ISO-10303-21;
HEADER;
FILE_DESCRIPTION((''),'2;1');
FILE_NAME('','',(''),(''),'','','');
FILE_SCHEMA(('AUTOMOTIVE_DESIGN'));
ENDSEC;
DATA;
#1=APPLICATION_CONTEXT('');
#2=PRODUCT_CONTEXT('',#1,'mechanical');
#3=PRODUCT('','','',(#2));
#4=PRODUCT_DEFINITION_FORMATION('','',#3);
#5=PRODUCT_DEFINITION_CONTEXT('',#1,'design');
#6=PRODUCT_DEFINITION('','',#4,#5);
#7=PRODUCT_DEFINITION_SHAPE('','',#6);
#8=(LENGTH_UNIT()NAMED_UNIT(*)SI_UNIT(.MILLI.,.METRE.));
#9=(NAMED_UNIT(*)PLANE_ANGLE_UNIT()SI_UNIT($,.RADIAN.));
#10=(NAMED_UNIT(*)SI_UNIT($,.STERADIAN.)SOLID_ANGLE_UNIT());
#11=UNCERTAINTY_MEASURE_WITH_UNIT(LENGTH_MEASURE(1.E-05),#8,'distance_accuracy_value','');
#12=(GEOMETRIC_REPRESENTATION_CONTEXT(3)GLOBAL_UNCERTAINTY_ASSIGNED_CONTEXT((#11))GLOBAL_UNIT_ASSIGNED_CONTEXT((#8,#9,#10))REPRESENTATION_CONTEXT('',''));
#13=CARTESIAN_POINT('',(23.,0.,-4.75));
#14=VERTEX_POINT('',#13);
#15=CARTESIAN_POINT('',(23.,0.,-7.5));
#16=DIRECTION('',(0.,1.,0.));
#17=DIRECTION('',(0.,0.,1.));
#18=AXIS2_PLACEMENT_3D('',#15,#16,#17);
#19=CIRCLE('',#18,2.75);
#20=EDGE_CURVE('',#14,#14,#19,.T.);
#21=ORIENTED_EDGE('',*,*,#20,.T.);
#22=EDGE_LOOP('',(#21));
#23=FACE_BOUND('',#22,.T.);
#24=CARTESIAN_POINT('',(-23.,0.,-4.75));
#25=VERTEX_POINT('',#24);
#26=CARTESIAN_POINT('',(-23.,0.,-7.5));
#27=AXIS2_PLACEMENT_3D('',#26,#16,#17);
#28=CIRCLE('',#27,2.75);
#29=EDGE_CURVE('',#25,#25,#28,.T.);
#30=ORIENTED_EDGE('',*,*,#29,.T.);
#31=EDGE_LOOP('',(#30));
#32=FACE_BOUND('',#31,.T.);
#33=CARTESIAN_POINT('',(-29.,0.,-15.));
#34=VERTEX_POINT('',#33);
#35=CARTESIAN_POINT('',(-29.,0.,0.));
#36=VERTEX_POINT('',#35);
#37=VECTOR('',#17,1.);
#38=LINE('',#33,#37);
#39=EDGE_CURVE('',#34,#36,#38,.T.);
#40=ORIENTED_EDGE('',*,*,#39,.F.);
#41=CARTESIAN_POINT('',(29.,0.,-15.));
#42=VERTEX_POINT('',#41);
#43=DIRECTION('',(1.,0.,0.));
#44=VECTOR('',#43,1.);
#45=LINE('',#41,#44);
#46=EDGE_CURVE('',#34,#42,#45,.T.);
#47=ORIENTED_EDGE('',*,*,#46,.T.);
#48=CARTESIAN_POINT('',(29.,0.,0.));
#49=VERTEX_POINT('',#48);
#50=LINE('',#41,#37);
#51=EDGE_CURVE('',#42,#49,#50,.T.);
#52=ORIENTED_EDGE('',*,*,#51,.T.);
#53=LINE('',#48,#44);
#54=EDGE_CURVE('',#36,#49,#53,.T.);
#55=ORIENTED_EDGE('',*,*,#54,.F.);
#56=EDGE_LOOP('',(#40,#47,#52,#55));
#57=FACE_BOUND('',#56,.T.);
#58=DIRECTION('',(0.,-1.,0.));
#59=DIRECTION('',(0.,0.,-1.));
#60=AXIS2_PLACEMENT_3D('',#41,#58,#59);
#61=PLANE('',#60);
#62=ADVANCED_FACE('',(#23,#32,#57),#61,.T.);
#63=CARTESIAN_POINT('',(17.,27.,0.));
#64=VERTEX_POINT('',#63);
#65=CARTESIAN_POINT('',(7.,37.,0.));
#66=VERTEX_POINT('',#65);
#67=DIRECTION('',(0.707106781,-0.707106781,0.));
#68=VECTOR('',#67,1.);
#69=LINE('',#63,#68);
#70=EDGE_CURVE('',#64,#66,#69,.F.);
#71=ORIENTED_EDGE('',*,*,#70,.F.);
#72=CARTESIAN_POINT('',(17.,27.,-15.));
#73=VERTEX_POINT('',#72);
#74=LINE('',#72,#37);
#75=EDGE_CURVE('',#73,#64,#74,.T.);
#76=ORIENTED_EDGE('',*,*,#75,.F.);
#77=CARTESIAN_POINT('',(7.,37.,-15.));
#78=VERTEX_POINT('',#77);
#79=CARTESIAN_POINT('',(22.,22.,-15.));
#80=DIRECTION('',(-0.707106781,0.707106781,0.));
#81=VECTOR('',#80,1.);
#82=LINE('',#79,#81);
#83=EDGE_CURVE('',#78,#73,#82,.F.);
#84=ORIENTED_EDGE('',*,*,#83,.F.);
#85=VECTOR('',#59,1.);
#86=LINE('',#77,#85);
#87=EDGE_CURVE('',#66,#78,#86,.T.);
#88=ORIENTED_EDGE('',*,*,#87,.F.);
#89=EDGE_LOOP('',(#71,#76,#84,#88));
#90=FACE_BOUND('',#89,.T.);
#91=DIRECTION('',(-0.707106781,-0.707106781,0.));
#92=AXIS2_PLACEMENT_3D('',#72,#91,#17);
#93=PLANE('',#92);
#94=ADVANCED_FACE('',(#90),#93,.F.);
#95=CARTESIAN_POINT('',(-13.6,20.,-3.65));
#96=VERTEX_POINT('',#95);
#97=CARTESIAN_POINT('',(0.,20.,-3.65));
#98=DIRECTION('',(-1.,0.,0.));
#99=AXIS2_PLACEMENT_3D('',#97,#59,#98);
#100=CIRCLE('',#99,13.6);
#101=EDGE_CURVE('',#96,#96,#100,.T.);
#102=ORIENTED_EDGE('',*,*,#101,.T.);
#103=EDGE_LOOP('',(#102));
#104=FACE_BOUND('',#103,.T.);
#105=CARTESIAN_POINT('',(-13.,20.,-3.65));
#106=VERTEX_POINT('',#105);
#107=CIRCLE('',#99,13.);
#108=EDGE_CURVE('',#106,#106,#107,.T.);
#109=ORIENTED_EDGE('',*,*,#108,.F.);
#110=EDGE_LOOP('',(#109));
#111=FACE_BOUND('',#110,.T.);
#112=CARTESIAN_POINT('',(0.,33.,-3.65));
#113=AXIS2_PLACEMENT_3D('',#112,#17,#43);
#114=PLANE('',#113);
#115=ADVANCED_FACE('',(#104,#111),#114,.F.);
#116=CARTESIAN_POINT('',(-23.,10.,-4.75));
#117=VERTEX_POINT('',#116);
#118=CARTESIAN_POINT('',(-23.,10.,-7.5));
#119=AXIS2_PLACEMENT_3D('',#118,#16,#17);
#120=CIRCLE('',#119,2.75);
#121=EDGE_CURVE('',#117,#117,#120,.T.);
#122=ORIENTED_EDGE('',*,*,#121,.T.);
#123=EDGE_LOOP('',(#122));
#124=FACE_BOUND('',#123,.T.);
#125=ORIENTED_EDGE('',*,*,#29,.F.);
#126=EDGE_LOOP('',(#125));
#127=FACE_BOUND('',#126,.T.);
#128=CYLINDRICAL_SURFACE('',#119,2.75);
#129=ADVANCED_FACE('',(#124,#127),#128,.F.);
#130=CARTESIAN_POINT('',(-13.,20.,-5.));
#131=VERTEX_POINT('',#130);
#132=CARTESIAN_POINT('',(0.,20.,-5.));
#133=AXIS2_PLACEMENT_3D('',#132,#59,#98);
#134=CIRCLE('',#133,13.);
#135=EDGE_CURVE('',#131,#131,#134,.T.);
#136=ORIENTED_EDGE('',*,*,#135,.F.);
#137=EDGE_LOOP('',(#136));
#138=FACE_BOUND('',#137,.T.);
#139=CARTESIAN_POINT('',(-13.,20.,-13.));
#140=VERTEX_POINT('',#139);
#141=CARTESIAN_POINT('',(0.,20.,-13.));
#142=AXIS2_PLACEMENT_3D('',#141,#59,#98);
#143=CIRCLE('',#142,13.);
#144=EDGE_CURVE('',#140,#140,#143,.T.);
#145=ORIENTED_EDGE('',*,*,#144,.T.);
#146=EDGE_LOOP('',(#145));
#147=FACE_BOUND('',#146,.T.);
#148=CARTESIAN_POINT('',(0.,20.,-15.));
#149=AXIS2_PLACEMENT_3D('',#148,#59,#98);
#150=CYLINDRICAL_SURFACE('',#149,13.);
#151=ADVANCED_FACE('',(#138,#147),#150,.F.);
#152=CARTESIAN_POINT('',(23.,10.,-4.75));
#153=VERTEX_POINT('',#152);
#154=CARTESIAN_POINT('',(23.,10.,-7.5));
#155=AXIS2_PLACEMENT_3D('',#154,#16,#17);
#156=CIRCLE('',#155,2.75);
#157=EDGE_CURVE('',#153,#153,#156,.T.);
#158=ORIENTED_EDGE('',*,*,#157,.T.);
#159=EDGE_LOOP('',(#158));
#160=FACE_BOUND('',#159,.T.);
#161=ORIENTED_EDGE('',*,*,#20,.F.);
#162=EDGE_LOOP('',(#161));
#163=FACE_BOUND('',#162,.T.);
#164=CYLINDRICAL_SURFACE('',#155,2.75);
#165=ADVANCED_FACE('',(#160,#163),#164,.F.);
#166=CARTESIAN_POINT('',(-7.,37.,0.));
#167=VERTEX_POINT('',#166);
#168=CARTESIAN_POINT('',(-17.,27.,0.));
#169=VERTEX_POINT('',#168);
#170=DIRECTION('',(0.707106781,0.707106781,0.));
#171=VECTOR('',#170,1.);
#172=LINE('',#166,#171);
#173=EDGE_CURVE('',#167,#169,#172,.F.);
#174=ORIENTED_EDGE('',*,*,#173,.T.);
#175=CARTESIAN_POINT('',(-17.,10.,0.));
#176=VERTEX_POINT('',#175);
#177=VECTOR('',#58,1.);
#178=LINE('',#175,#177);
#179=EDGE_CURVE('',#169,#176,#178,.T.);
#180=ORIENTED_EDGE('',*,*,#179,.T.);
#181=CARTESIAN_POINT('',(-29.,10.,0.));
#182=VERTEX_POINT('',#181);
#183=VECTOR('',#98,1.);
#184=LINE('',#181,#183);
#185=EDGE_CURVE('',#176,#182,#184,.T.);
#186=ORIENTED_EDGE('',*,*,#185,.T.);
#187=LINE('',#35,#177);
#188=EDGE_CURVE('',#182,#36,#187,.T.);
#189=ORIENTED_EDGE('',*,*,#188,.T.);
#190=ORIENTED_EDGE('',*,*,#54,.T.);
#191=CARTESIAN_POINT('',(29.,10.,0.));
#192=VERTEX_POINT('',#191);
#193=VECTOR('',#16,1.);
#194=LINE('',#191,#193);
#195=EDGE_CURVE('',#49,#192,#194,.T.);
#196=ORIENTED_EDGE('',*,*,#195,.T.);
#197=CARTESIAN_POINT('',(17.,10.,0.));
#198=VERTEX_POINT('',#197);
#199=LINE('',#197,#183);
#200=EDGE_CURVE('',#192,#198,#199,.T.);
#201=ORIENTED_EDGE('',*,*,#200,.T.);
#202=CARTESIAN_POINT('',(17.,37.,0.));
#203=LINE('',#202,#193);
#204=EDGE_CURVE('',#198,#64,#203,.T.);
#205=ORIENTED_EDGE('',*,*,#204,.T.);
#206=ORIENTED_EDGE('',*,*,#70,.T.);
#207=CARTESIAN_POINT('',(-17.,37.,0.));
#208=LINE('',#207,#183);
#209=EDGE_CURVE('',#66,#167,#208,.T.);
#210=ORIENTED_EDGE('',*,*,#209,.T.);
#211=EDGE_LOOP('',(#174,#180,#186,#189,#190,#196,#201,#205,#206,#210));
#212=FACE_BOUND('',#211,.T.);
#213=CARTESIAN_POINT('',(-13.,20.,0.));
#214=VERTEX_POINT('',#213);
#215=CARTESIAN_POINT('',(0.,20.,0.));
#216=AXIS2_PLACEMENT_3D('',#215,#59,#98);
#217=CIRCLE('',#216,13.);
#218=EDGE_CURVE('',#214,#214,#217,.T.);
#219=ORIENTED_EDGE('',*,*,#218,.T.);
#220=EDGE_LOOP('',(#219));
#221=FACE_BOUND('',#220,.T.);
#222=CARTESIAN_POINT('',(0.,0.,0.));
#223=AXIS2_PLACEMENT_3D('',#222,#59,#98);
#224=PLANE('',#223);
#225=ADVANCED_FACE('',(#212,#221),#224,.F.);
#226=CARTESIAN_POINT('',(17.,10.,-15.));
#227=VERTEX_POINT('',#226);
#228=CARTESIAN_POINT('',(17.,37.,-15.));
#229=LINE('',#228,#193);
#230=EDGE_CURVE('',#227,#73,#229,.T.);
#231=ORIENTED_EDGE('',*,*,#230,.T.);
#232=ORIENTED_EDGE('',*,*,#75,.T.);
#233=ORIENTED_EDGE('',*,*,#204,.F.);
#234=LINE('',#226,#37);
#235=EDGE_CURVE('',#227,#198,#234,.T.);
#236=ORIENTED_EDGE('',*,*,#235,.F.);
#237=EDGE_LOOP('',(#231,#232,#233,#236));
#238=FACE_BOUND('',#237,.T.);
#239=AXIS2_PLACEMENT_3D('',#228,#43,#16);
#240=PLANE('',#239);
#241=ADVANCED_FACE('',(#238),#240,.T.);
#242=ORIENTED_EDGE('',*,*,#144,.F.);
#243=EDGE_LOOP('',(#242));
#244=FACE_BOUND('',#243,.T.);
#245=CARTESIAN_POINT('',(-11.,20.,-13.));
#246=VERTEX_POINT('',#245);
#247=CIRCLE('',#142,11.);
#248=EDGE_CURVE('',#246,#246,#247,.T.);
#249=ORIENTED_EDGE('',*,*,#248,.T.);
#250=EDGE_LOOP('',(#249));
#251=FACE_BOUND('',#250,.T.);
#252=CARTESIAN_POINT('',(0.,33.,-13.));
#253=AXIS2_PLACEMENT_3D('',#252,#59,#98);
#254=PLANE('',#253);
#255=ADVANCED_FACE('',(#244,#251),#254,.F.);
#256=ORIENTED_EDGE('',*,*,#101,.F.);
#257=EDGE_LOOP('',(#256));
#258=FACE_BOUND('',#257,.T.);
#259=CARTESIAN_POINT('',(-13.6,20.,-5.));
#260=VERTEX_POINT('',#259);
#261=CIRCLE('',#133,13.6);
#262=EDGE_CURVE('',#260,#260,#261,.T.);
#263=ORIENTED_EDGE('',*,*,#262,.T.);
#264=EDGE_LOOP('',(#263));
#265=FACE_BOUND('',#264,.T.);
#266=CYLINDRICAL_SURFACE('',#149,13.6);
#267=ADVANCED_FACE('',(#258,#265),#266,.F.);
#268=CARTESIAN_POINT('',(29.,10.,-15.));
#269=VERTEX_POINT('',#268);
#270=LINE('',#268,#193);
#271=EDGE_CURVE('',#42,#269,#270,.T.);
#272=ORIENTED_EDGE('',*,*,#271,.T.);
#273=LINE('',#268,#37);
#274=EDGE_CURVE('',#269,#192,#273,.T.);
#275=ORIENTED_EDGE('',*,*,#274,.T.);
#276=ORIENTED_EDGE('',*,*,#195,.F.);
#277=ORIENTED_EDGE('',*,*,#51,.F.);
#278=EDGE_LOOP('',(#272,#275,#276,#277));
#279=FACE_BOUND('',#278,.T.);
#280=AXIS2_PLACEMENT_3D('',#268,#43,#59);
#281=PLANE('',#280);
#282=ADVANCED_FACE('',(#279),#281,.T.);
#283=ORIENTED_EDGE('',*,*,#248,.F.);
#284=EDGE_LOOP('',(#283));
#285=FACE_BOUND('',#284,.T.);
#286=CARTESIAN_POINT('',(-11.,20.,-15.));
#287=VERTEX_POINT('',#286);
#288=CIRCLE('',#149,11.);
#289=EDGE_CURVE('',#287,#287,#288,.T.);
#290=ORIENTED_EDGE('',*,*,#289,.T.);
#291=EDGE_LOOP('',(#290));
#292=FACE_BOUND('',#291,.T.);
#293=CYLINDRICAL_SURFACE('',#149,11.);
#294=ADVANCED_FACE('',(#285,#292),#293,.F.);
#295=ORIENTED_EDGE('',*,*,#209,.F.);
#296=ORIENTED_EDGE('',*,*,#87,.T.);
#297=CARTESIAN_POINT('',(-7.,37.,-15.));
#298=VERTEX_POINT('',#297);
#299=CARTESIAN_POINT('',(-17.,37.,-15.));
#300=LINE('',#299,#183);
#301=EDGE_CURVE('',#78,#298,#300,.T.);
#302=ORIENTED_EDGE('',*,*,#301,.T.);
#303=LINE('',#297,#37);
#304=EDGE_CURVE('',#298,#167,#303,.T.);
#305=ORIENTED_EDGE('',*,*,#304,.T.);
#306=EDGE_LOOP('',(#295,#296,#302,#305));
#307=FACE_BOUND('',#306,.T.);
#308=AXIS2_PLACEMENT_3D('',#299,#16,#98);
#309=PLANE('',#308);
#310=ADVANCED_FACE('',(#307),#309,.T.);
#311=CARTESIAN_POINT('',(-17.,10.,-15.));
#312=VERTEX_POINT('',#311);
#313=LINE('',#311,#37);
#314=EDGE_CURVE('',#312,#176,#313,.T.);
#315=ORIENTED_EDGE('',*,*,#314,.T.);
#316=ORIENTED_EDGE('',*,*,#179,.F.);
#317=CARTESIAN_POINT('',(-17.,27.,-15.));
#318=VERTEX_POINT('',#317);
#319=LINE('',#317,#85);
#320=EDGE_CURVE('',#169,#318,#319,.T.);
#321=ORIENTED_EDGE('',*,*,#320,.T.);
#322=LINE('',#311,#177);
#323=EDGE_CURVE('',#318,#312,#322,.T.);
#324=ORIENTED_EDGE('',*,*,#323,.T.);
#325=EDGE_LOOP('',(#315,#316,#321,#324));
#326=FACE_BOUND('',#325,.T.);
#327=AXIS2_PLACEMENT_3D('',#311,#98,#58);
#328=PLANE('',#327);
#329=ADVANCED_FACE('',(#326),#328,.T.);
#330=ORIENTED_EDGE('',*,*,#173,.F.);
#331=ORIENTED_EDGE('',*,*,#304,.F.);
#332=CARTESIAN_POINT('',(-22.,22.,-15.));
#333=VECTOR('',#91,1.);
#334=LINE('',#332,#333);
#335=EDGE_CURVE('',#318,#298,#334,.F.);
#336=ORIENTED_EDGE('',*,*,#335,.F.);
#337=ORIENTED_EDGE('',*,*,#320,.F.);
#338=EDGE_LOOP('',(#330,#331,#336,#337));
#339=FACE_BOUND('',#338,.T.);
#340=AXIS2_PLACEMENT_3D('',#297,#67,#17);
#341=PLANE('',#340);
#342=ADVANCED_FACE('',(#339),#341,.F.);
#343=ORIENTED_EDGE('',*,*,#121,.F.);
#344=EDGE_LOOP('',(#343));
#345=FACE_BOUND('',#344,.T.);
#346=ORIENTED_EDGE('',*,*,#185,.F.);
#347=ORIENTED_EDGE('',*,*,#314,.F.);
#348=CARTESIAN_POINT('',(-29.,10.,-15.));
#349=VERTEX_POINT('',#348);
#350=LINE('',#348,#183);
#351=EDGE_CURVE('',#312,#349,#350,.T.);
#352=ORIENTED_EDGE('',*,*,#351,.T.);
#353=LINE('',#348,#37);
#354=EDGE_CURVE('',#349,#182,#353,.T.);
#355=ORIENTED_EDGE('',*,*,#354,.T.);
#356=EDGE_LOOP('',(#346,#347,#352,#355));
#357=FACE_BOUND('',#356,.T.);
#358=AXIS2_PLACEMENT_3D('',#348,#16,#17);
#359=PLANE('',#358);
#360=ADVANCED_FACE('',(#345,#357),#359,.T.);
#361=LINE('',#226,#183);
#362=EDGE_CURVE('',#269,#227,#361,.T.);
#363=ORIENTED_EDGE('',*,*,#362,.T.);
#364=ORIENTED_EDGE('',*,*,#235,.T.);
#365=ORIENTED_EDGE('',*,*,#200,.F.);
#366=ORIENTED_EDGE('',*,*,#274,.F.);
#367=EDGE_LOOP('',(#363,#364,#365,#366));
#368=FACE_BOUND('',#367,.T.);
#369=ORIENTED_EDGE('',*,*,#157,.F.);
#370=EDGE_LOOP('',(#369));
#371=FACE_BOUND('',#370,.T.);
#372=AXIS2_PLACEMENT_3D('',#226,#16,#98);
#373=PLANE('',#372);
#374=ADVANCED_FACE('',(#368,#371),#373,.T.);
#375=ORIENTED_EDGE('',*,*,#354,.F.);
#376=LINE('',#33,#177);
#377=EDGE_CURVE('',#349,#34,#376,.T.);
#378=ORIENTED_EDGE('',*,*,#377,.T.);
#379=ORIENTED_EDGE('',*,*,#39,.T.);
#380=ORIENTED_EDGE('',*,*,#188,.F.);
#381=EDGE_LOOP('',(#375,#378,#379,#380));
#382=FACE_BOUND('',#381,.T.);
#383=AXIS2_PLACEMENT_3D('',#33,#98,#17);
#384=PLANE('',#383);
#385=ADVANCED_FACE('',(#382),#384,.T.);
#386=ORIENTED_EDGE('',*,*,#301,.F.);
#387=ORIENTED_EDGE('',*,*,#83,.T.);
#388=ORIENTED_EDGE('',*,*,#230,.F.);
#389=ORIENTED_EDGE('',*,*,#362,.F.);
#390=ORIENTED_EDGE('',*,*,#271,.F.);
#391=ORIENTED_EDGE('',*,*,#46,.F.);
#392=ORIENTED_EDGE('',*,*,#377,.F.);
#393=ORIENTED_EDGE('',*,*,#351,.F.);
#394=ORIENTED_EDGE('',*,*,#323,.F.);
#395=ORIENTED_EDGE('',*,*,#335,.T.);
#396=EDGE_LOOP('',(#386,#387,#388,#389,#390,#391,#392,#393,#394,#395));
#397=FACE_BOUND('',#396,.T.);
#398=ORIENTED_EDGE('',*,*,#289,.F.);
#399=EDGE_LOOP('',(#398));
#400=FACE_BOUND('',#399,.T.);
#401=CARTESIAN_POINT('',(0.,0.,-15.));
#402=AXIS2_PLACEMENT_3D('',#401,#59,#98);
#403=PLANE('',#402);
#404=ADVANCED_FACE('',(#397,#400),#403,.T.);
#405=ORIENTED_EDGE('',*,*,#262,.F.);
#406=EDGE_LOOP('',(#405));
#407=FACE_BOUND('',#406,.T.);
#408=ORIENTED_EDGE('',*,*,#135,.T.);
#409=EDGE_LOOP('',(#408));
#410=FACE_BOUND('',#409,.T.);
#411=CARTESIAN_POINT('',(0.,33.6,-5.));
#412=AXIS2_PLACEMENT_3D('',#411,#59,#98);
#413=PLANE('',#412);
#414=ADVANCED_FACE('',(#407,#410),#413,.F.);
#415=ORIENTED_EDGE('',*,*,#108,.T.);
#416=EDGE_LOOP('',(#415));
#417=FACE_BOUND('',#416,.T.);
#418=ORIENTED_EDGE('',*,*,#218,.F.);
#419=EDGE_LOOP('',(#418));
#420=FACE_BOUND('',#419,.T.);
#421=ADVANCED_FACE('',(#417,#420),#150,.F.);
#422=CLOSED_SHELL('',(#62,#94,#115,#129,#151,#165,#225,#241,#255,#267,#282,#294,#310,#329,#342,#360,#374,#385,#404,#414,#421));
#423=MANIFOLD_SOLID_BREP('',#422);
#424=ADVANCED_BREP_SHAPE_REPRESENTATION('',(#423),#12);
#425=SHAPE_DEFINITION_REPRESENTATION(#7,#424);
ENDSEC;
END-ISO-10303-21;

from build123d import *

# Parameters (mm, degrees)
BOSS_EXTRUDE1_DEPTH = 15
DIAMETER_HOLE1_D    = 5.5
CHAMFER1_SIZE       = 10


with BuildPart() as part:
    # Sketch1 → Boss-Extrude1 (new body)
    with BuildSketch(Plane.XY):
        Polygon((-17, 37), (17, 37), (17, 10), (29, 10), (29, 0), (-29, 0), (-29, 10), (-17, 10), align=None)
    extrude(amount=-BOSS_EXTRUDE1_DEPTH)

    # Sketch2 → Cut-Revolve1 (revolve, cut)
    with BuildSketch(Plane(origin=(0, 0, 0), x_dir=(0, 0, -1), z_dir=(1, 0, 0))):
        Polygon((3.65, 33), (3.65, 33.6), (5, 33.6), (5, 33), (13, 33), (13, 31), (15, 31), (15, 20), (0, 20), (0, 33), align=None)
    revolve(axis=Axis((0, 20, -15), (0, 0, 1)), mode=Mode.SUBTRACT)

    # Diameter Hole1 (through all)
    with Locations(Plane(origin=(0, 10, 0), x_dir=(1, 0, 0), z_dir=(0, 1, 0))):
        with Locations((-23, 7.5), (23, 7.5)):
            Hole(DIAMETER_HOLE1_D / 2)

    # Chamfer1
    chamfer1_edges = [part.edges().sort_by_distance(p)[0] for p in [
        (-17, 37, -7.5),
        (17, 37, -7.5),
    ]]
    chamfer(chamfer1_edges, length=CHAMFER1_SIZE)


solid = part.part
